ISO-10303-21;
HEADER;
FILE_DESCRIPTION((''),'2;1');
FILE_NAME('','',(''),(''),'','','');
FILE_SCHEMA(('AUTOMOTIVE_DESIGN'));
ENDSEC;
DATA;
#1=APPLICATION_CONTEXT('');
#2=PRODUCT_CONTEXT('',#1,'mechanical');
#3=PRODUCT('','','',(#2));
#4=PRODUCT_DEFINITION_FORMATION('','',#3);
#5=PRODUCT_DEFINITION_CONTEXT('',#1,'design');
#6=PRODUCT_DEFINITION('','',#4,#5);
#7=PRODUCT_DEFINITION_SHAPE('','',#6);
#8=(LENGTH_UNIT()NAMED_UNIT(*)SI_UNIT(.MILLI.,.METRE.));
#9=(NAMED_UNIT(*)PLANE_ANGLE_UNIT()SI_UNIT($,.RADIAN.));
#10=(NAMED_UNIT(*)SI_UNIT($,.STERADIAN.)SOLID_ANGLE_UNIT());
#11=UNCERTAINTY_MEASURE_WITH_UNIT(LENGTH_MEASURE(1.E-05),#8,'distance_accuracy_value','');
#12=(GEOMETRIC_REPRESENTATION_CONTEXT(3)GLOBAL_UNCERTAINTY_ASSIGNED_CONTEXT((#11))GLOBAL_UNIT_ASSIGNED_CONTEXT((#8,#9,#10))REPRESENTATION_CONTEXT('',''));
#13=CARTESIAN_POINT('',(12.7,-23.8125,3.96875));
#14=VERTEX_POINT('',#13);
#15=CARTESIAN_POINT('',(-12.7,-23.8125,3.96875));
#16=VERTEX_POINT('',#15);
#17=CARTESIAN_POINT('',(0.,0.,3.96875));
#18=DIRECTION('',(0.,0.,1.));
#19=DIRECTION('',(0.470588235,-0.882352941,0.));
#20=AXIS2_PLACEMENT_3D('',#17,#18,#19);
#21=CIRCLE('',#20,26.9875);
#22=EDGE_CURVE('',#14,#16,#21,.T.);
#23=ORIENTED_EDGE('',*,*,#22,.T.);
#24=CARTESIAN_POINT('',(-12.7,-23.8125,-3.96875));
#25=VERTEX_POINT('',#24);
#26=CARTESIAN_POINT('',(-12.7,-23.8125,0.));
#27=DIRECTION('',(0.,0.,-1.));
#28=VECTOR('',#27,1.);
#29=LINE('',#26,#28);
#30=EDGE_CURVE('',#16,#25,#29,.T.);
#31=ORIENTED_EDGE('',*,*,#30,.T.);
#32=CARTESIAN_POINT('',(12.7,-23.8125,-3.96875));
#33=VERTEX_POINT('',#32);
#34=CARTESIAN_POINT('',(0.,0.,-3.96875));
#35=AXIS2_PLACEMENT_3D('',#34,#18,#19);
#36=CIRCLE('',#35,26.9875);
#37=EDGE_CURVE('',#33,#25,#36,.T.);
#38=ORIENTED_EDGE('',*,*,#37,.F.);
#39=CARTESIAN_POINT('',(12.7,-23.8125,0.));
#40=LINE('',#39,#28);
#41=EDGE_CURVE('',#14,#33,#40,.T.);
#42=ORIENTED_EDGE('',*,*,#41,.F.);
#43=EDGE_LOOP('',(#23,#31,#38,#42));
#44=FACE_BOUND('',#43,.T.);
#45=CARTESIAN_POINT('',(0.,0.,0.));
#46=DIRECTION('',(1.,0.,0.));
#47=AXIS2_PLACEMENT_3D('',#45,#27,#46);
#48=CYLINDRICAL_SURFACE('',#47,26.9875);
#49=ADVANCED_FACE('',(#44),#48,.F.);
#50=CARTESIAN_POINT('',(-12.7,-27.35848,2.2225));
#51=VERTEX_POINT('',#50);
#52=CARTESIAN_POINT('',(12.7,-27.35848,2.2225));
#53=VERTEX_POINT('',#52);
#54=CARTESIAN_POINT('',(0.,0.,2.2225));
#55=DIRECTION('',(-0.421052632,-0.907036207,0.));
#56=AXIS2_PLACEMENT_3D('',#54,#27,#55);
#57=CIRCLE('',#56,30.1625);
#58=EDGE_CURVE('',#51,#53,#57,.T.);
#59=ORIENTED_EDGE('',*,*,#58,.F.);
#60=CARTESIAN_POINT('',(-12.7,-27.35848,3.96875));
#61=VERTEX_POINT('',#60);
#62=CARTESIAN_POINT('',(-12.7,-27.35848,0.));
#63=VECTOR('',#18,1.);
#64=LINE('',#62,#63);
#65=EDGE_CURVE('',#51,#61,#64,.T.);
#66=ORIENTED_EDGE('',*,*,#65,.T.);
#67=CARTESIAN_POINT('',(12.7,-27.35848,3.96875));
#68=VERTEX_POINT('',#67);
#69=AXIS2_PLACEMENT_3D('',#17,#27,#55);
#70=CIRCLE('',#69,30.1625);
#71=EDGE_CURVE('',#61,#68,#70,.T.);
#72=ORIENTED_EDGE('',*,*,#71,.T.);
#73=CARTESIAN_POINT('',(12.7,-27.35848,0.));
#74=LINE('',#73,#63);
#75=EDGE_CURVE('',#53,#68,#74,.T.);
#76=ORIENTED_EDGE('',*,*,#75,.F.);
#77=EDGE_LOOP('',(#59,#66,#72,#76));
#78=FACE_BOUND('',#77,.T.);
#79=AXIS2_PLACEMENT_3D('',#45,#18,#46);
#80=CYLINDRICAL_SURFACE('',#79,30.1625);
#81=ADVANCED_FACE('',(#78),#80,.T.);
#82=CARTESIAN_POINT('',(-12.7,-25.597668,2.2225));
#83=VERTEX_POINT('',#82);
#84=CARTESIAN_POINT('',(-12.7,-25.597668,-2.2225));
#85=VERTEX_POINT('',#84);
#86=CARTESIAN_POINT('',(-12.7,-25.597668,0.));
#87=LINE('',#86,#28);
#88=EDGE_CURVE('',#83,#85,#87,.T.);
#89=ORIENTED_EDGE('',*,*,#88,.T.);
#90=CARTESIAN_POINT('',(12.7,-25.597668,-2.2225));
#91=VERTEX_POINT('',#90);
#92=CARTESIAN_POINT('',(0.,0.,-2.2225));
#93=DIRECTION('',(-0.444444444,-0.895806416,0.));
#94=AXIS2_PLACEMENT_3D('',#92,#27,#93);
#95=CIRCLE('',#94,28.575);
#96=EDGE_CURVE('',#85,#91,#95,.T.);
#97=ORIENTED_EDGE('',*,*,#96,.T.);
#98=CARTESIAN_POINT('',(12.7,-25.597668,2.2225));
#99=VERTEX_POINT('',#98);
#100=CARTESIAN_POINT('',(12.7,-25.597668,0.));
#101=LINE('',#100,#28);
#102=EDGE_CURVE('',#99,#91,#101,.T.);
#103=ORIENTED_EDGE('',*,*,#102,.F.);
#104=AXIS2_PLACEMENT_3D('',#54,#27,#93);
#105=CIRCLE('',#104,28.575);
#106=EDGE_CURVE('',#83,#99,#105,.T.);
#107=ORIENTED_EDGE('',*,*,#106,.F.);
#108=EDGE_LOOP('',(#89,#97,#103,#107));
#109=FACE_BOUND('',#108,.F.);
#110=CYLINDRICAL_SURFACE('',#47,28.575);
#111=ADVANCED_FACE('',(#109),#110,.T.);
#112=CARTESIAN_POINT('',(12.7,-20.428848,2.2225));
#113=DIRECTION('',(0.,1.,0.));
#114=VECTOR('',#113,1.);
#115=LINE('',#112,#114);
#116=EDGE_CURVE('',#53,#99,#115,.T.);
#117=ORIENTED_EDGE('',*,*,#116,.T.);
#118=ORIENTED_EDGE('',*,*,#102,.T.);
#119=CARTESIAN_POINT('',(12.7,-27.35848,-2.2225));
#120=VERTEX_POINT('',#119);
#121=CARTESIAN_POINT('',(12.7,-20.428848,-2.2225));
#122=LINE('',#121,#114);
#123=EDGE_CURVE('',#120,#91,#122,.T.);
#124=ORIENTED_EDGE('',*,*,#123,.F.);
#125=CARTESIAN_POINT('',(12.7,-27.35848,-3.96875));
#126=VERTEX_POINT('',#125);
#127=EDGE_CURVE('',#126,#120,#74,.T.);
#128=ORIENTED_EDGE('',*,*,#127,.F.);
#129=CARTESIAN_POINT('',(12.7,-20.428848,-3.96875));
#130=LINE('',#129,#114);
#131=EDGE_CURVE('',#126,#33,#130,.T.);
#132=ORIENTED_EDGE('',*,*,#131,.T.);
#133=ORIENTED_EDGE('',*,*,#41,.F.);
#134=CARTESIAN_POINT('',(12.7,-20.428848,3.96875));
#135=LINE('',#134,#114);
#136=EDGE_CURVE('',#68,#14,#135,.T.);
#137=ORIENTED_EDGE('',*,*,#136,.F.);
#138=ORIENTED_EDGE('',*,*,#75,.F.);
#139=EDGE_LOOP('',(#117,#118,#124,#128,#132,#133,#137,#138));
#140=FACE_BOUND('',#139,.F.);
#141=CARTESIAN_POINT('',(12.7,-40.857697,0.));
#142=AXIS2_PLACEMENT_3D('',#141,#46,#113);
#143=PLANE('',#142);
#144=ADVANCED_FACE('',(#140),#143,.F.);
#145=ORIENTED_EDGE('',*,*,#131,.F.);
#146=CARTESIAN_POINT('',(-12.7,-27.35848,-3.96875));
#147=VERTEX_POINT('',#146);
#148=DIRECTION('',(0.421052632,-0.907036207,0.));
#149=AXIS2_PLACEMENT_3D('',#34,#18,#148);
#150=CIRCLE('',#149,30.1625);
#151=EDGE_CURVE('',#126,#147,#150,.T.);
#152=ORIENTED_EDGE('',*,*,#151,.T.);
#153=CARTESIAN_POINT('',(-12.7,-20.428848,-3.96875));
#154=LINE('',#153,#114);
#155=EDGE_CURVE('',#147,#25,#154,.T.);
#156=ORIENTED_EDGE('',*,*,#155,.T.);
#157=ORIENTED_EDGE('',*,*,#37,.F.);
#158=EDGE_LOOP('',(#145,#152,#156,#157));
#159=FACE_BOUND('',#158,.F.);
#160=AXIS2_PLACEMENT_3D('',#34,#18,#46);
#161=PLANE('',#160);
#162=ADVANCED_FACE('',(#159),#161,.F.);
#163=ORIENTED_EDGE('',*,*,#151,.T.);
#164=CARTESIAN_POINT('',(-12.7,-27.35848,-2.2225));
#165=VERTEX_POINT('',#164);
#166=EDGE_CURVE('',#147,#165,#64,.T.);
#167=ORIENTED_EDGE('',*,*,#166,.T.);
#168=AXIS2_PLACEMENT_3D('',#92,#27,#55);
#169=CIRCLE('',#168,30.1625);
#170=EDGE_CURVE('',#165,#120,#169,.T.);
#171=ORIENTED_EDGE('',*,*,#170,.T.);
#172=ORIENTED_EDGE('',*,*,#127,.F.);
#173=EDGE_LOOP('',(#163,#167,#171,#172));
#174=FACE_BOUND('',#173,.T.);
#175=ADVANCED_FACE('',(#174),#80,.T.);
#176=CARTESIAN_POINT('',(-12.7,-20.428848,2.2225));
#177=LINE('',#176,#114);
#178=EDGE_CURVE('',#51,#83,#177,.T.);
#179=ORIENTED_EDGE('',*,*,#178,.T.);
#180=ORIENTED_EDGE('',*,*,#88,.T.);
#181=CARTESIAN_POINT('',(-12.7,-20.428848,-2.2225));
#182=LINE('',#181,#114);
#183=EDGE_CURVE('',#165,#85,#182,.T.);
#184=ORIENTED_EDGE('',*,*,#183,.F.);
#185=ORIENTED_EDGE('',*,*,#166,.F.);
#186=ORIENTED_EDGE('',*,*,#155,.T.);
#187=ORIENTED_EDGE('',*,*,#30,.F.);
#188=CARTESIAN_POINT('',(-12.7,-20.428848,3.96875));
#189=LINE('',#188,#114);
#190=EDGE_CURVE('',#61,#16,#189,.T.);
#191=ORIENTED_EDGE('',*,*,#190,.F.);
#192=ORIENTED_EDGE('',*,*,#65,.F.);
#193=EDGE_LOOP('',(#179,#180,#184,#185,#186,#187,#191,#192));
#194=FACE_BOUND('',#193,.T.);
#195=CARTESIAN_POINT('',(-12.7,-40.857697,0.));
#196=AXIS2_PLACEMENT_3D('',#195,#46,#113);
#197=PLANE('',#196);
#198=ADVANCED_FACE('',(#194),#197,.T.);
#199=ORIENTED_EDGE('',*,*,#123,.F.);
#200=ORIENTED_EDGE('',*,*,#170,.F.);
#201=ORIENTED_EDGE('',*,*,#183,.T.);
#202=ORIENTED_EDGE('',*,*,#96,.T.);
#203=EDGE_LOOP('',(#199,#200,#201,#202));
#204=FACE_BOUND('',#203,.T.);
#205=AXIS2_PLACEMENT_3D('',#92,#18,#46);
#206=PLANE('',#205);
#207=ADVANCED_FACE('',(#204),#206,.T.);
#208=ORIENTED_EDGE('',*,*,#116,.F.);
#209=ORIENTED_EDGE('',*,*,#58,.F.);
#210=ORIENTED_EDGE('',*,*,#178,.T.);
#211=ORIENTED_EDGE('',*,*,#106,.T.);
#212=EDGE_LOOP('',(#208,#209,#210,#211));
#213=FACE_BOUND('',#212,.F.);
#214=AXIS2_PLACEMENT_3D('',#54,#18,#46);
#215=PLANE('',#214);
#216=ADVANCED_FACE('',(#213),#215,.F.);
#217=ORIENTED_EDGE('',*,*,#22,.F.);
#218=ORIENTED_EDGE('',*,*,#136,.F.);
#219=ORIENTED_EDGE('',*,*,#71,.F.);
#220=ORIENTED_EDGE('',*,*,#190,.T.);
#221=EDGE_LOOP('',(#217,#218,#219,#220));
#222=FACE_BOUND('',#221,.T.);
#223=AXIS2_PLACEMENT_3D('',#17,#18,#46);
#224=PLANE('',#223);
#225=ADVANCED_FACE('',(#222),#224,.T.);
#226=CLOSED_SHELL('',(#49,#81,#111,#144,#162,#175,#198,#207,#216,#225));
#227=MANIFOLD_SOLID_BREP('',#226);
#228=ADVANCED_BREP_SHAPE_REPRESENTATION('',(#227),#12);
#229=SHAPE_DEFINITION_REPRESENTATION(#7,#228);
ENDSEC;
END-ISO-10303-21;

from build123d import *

# Parameters (mm, degrees)
F0_R     = 30.1625
F0_R_2   = 26.9875
F1_DEPTH = 3.96875
F2_R     = 36.329519
F2_R_2   = 28.575
F3_DEPTH = 2.2225
F4_W     = 25.4
F4_H     = 40.857697
F5_DEPTH = 12.7


with BuildPart() as f1:
    # F0 (on Top) → F1 (new body, symmetric)
    with BuildSketch(Plane.XY):
        Circle(F0_R)
        Circle(F0_R_2, mode=Mode.SUBTRACT)
    extrude(amount=F1_DEPTH, both=True)

    # F2 (on Top) → F3 (cut, symmetric)
    with BuildSketch(Plane.XY):
        Circle(F2_R)
        Circle(F2_R_2, mode=Mode.SUBTRACT)
    extrude(amount=F3_DEPTH, both=True, mode=Mode.SUBTRACT)

    # F4 (on Top) → F5 (cut, symmetric)
    with BuildSketch(Plane.XY):
        with Locations((0, -20.428848)):
            Rectangle(F4_W, F4_H)
    extrude(amount=F5_DEPTH, both=True, mode=Mode.SUBTRACT)


solid = f1.part
